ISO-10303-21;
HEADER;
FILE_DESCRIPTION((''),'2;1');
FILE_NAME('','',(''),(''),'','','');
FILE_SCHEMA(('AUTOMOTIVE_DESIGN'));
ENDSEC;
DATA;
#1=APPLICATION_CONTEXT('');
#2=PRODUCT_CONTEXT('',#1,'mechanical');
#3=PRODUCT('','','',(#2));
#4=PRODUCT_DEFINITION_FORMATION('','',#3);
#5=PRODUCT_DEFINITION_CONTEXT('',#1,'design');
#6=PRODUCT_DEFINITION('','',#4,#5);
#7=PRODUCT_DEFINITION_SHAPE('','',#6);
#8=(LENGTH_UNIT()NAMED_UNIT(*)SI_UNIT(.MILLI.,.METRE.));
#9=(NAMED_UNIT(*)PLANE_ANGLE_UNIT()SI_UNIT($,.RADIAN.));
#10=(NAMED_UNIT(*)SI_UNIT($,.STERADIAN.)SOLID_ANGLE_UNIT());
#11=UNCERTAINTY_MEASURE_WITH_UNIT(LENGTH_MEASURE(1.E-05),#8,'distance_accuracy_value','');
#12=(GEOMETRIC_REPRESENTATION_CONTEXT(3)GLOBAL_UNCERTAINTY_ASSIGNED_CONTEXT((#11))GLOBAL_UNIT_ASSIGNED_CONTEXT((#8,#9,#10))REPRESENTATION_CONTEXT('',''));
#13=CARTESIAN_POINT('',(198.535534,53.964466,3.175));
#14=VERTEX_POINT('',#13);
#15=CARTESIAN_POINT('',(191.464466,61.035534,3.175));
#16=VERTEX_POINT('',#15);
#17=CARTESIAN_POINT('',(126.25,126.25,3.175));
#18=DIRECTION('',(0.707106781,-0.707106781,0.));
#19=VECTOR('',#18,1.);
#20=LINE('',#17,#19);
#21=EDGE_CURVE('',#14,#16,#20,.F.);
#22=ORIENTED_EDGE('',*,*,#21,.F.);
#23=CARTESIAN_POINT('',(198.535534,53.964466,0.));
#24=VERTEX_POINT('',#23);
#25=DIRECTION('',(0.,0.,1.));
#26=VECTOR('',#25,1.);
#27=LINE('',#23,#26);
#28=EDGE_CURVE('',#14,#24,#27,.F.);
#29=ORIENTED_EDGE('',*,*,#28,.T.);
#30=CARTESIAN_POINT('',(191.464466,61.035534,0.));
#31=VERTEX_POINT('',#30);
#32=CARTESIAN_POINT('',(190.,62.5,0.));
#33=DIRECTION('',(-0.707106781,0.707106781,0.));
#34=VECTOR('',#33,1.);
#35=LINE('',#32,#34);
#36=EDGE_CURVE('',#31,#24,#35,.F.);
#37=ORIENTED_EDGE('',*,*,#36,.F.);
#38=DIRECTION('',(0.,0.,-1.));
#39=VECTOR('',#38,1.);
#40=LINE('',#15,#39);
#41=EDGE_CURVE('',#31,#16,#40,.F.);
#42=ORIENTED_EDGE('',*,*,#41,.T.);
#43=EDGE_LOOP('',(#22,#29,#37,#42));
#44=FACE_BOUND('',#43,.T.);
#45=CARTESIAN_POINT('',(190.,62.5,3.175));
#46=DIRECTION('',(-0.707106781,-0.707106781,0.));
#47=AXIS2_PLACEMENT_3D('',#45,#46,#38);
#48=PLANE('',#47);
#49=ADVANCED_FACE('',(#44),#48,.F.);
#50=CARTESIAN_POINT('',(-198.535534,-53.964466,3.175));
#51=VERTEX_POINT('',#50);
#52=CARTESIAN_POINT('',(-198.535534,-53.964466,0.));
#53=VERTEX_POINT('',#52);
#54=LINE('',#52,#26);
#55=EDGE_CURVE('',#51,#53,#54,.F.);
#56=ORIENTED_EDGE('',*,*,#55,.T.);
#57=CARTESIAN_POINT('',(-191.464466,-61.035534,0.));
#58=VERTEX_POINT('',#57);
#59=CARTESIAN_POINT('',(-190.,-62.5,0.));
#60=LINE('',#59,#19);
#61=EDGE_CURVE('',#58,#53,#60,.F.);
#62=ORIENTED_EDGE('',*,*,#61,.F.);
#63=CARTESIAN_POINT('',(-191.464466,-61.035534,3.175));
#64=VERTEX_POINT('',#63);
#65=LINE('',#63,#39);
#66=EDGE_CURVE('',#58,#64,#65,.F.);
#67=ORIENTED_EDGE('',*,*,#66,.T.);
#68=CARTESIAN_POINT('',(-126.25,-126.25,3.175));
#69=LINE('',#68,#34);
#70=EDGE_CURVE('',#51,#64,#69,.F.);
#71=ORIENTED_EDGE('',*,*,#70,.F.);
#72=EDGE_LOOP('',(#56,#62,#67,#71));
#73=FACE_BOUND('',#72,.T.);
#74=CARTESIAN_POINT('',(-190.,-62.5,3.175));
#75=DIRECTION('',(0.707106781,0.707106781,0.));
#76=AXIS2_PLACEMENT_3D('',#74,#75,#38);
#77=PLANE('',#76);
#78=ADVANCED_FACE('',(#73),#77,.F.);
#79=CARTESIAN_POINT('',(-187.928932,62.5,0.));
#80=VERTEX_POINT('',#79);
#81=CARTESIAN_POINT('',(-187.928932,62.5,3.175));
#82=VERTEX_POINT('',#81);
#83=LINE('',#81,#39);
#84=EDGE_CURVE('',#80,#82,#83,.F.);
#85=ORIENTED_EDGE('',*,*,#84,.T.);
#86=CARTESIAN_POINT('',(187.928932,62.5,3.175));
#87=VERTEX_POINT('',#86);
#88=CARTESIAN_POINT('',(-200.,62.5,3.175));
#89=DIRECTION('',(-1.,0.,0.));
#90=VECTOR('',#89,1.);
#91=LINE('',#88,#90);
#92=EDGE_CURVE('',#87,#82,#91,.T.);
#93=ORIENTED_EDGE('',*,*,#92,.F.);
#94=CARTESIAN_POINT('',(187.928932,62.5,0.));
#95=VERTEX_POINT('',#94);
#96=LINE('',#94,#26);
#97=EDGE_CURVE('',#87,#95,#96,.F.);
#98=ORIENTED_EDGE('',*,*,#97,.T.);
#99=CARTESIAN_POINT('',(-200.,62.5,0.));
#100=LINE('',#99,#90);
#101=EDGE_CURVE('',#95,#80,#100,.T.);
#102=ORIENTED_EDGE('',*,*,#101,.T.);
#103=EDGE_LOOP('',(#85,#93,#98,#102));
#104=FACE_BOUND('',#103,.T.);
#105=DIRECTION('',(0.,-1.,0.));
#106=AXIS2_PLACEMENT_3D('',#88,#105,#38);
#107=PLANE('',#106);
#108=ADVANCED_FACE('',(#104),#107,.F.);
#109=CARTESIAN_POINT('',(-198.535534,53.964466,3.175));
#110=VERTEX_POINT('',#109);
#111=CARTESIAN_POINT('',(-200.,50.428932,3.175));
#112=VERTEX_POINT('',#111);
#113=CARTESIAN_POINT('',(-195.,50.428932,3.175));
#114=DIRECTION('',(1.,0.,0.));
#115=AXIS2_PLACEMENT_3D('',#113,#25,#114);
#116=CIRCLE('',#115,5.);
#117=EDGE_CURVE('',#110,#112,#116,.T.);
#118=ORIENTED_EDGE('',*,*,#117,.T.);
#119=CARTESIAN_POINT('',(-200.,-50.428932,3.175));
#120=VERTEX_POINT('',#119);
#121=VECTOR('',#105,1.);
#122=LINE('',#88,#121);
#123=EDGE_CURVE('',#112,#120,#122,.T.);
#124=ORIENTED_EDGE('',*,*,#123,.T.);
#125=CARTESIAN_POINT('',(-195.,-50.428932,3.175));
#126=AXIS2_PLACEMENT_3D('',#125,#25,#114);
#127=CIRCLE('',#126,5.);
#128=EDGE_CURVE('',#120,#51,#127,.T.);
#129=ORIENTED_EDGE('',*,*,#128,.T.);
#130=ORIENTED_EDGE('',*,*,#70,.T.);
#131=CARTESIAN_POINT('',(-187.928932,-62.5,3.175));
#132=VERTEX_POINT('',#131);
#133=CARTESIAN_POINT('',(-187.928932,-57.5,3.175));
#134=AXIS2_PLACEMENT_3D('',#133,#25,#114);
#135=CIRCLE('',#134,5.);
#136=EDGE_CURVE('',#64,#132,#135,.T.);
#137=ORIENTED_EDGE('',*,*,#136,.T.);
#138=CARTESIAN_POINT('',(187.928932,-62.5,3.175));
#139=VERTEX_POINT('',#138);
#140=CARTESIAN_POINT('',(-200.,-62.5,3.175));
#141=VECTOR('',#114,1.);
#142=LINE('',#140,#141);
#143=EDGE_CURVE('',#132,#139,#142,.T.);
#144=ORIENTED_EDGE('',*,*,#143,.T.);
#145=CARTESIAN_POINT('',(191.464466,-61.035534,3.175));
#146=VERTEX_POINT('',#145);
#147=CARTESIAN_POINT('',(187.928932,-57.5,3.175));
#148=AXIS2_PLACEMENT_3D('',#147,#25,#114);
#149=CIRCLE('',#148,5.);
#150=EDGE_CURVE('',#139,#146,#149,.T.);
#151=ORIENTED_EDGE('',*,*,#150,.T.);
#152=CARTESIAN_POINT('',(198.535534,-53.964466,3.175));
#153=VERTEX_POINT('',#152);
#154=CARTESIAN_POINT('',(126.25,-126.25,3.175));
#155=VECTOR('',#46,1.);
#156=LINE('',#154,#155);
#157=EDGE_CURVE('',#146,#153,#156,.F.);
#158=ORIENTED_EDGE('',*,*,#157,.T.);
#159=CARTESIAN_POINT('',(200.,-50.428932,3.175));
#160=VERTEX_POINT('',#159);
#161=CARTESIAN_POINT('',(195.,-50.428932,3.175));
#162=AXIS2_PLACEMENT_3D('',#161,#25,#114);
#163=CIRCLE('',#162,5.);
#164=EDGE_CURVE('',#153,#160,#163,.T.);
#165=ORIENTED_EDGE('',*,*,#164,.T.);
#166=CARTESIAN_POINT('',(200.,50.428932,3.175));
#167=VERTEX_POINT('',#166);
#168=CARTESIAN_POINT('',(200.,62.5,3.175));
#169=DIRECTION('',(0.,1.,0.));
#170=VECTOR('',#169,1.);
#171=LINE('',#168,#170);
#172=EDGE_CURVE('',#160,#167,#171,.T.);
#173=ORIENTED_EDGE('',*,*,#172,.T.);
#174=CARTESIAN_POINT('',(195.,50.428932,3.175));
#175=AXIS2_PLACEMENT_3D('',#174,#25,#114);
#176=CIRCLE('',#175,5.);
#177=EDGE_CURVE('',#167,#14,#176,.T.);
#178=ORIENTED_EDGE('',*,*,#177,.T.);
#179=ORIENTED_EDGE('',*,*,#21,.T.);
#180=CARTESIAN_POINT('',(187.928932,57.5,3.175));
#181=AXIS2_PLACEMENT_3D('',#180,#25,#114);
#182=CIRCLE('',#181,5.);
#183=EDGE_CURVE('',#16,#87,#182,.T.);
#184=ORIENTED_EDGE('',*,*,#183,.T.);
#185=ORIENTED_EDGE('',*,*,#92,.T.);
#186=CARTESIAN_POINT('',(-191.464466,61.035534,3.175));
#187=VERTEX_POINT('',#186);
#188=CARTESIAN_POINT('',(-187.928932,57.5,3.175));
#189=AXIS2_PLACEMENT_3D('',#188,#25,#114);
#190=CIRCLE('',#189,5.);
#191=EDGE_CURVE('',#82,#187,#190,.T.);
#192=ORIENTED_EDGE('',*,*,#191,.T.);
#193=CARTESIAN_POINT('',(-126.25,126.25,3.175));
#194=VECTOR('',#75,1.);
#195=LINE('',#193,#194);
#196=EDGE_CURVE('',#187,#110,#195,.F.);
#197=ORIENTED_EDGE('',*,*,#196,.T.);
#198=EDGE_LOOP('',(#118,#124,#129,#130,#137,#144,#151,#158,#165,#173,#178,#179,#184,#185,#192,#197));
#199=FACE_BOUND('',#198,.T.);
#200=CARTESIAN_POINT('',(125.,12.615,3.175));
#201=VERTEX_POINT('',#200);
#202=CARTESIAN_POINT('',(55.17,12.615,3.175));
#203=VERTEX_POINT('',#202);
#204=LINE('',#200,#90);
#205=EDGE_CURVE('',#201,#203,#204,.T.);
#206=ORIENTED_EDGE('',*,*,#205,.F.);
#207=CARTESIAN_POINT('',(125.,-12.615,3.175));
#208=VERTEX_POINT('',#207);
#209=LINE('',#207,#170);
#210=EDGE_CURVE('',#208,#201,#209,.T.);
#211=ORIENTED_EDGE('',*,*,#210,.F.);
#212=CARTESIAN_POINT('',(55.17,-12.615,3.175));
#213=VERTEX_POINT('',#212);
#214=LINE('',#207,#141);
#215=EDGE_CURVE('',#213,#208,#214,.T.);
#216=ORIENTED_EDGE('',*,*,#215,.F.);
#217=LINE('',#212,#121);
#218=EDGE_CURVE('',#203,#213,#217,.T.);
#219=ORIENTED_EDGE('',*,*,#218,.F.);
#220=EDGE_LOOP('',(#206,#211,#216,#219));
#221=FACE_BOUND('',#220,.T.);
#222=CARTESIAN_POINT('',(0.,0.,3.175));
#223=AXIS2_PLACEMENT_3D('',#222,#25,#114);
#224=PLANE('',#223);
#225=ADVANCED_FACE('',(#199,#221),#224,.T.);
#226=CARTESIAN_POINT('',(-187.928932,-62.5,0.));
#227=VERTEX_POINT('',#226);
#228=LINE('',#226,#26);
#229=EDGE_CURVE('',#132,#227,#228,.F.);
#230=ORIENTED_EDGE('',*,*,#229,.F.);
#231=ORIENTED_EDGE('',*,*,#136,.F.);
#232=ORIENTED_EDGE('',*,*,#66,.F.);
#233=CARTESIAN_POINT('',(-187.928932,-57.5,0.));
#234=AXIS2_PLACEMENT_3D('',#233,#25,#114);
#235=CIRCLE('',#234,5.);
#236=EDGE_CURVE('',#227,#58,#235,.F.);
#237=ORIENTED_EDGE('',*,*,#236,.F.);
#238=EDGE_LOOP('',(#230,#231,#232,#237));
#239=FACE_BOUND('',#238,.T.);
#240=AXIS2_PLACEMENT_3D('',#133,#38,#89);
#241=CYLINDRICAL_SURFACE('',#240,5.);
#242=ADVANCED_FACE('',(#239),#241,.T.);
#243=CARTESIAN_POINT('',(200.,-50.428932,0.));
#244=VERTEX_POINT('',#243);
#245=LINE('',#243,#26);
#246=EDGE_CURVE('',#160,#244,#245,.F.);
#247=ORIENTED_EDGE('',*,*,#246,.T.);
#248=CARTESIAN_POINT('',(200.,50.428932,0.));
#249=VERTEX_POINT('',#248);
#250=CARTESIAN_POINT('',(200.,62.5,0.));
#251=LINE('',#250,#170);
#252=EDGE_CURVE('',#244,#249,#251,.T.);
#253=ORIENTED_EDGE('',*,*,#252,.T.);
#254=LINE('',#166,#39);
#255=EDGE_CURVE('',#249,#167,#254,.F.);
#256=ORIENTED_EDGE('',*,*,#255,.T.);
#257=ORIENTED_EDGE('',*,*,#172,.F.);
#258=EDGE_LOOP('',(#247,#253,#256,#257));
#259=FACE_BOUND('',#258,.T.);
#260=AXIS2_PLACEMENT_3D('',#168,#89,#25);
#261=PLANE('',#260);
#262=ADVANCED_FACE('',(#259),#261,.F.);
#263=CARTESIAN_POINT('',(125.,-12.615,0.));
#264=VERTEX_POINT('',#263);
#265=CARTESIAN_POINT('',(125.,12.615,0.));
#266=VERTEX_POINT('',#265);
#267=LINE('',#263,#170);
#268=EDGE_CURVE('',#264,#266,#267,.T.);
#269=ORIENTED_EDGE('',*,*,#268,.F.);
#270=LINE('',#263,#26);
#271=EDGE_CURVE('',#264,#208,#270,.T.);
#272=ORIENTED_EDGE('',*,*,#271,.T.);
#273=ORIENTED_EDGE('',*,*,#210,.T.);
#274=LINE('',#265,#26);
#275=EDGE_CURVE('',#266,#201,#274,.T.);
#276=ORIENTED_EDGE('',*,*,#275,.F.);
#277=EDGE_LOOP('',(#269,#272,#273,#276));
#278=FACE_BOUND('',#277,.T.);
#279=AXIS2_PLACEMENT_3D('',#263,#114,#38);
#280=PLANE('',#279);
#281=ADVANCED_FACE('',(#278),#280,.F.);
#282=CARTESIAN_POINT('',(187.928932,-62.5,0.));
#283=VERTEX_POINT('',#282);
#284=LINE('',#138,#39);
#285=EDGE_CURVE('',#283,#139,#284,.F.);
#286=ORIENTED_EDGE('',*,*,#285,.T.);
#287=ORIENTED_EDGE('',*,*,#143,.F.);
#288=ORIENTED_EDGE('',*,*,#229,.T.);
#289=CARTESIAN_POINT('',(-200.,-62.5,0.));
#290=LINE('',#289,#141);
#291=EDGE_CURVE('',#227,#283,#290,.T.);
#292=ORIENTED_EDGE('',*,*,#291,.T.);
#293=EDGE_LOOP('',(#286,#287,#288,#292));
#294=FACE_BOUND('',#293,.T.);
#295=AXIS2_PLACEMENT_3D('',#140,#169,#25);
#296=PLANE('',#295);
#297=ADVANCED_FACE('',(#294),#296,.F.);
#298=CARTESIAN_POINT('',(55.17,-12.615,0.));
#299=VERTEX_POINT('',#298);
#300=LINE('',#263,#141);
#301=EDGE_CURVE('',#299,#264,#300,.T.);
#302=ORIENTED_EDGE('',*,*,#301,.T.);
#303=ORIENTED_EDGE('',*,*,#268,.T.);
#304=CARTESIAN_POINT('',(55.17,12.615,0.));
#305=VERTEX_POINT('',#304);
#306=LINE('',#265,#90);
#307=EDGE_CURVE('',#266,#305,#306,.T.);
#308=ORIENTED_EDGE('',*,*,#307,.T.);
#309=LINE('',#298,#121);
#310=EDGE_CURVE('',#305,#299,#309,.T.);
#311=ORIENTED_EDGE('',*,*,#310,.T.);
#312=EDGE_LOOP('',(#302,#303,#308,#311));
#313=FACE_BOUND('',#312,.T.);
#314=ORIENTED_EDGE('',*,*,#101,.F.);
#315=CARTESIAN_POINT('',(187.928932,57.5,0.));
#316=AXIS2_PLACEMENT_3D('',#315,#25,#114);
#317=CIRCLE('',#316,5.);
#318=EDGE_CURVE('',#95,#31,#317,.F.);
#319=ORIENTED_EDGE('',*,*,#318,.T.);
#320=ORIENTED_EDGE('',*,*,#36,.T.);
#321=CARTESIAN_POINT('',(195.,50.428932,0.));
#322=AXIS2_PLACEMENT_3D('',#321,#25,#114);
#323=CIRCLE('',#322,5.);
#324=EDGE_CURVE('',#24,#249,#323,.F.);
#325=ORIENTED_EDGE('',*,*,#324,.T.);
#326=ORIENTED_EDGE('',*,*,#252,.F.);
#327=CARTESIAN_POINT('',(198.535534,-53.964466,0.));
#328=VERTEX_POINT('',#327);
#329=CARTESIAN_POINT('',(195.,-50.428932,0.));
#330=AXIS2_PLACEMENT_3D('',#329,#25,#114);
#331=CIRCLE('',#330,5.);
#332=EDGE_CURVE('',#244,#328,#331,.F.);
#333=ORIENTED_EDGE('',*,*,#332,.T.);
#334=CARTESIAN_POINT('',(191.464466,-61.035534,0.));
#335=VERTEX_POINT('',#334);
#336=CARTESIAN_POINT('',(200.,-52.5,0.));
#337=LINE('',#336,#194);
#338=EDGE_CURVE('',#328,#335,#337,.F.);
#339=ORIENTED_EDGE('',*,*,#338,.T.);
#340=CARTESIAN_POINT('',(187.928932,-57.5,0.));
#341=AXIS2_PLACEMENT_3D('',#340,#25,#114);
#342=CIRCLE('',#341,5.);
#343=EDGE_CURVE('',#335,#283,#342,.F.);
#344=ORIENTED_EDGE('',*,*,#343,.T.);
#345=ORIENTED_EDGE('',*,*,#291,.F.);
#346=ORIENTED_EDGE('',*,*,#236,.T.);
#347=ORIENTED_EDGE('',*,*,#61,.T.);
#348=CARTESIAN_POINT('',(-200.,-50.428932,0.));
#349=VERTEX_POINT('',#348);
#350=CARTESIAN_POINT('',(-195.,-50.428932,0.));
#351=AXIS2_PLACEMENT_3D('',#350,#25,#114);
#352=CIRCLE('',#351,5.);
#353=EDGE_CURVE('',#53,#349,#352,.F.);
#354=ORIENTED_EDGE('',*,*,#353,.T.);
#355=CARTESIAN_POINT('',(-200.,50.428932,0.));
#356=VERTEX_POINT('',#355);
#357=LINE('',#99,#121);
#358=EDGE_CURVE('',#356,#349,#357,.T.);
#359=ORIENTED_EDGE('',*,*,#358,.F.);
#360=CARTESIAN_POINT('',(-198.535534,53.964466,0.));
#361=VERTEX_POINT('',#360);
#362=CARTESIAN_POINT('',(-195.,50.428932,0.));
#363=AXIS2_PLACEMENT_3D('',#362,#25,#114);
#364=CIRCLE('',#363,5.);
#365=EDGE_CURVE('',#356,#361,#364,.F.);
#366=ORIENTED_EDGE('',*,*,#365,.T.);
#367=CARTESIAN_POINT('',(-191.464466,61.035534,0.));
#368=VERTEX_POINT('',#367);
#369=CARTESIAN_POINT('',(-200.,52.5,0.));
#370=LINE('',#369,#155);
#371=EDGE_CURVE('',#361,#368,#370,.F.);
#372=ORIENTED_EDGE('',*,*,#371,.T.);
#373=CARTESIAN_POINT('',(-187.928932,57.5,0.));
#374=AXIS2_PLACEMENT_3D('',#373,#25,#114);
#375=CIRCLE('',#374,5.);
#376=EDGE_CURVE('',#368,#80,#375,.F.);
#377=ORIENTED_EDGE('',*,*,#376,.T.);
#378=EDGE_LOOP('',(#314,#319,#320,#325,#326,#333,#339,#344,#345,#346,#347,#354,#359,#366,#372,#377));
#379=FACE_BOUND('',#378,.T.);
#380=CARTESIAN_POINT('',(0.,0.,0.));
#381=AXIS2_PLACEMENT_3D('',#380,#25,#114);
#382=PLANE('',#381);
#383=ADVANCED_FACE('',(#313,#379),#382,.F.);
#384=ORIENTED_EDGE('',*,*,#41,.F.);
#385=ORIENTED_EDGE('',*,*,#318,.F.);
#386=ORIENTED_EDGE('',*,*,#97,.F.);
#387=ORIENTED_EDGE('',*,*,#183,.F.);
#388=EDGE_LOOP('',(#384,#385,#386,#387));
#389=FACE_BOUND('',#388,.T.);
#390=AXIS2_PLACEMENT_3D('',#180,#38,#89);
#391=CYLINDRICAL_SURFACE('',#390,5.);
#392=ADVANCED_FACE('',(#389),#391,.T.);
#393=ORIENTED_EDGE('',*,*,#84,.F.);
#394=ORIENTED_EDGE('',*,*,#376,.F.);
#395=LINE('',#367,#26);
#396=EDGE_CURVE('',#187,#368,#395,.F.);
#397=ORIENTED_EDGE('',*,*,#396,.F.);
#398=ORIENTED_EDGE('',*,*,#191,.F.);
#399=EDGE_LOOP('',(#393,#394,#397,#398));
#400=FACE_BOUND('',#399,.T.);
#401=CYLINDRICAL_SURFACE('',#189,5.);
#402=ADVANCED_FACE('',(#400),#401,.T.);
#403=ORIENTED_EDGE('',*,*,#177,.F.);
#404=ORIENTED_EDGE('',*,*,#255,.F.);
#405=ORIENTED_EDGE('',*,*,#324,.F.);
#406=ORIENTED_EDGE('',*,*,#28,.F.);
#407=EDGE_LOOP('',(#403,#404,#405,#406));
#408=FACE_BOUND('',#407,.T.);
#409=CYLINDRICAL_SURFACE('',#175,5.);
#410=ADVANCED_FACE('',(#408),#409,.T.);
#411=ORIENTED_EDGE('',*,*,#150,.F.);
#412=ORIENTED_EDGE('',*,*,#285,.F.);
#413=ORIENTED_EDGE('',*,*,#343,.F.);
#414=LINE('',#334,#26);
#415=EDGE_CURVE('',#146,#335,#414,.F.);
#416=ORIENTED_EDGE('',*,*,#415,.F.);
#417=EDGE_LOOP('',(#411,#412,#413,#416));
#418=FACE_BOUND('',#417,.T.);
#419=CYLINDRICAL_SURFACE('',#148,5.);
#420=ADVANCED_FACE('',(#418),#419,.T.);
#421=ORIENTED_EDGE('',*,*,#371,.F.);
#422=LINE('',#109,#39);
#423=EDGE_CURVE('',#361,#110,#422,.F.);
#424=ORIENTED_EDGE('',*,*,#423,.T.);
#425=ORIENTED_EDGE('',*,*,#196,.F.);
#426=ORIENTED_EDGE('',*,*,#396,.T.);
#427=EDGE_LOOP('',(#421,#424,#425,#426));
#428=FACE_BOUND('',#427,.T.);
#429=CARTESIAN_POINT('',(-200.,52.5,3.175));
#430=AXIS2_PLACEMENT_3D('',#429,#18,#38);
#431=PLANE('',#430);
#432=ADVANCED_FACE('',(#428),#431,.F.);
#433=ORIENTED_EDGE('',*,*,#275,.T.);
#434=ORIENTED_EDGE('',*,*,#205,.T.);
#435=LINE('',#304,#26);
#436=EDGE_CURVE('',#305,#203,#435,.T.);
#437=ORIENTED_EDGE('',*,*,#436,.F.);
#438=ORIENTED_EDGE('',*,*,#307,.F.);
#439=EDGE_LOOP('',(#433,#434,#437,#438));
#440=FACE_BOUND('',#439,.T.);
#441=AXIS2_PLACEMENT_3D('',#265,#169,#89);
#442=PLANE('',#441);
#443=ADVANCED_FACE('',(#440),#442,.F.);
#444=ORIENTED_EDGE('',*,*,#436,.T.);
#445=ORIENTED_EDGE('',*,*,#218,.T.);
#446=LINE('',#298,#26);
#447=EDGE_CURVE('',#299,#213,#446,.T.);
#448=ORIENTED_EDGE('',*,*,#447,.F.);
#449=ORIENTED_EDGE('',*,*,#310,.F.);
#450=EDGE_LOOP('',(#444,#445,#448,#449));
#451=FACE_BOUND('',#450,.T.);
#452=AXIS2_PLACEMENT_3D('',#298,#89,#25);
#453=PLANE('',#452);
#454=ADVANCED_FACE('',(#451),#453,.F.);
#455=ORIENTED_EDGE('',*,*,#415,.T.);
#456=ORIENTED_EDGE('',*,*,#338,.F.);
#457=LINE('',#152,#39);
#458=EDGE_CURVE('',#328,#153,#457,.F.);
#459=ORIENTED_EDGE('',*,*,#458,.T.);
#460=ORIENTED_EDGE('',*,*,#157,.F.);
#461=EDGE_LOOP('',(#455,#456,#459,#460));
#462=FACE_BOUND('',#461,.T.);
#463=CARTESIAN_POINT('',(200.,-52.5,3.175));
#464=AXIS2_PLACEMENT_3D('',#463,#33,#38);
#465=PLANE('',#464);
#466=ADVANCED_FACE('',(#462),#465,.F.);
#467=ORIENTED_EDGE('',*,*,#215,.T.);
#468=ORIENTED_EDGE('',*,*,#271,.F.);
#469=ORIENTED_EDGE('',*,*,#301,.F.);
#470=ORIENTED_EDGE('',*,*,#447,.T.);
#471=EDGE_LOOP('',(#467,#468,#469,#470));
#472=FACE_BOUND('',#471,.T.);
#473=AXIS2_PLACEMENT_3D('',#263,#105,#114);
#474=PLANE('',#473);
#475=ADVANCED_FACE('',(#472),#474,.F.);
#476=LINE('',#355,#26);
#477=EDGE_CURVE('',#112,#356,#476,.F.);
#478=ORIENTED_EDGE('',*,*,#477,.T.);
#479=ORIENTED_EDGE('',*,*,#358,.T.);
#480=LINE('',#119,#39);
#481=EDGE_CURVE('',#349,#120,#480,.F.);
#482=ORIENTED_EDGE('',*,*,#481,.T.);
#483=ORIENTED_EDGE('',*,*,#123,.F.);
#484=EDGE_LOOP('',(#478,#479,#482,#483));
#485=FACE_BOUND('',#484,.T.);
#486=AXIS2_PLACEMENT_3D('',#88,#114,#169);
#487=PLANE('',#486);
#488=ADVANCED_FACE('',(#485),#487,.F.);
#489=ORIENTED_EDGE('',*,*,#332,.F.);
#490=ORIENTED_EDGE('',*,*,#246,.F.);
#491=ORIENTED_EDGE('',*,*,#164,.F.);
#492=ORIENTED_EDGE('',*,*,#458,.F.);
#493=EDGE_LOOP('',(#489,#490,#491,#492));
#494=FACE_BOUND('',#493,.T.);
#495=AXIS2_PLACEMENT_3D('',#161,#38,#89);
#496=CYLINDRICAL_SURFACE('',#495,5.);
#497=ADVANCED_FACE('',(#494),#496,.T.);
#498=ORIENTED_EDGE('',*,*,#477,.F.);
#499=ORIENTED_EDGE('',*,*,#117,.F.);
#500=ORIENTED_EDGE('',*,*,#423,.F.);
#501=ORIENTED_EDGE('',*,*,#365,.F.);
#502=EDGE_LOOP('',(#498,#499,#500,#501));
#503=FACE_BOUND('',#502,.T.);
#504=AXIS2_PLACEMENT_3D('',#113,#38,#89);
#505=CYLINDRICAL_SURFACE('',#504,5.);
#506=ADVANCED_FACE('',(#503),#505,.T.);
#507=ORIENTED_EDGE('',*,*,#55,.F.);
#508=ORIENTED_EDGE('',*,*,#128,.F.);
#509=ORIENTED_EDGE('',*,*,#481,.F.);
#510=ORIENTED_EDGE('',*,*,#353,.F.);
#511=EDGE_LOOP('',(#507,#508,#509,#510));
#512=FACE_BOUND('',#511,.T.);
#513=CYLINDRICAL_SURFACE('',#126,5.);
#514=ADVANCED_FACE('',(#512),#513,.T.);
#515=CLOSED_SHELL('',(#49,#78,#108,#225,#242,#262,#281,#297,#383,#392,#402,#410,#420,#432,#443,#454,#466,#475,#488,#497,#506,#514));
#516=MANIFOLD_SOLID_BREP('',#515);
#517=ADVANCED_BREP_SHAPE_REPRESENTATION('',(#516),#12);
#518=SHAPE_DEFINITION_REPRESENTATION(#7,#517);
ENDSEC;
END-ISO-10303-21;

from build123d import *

# Parameters (mm, degrees)
SKETCH1_W           = 400
SKETCH1_H           = 125
BOSS_EXTRUDE1_DEPTH = 3.175
SKETCH2_W           = 69.83
SKETCH2_H           = 25.23
CUT_EXTRUDE1_DEPTH  = 3.175
CHAMFER1_SIZE       = 10
FILLET1_R           = 5


with BuildPart() as part:
    # Sketch1 → Boss-Extrude1 (new body)
    with BuildSketch(Plane.XY):
        Rectangle(SKETCH1_W, SKETCH1_H)
    extrude(amount=BOSS_EXTRUDE1_DEPTH)

    # Sketch2 → Cut-Extrude1 (cut)
    with BuildSketch(Plane.XY.offset(3.175)):
        with Locations((90.085, 0)):
            Rectangle(SKETCH2_W, SKETCH2_H)
    extrude(amount=-CUT_EXTRUDE1_DEPTH, mode=Mode.SUBTRACT)

    # Chamfer1
    chamfer1_edges = [part.edges().sort_by_distance(p)[0] for p in [
        (200, -62.5, 1.5875),
        (-200, -62.5, 1.5875),
        (-200, 62.5, 1.5875),
        (200, 62.5, 1.5875),
    ]]
    chamfer(chamfer1_edges, length=CHAMFER1_SIZE)

    # Fillet1
    fillet1_edges = [part.edges().sort_by_distance(p)[0] for p in [
        (200, 52.5, 1.5875),
        (200, -52.5, 1.5875),
        (-190, -62.5, 1.5875),
        (190, -62.5, 1.5875),
        (-190, 62.5, 1.5875),
        (190, 62.5, 1.5875),
        (-200, -52.5, 1.5875),
        (-200, 52.5, 1.5875),
    ]]
    fillet(fillet1_edges, radius=FILLET1_R)


solid = part.part
